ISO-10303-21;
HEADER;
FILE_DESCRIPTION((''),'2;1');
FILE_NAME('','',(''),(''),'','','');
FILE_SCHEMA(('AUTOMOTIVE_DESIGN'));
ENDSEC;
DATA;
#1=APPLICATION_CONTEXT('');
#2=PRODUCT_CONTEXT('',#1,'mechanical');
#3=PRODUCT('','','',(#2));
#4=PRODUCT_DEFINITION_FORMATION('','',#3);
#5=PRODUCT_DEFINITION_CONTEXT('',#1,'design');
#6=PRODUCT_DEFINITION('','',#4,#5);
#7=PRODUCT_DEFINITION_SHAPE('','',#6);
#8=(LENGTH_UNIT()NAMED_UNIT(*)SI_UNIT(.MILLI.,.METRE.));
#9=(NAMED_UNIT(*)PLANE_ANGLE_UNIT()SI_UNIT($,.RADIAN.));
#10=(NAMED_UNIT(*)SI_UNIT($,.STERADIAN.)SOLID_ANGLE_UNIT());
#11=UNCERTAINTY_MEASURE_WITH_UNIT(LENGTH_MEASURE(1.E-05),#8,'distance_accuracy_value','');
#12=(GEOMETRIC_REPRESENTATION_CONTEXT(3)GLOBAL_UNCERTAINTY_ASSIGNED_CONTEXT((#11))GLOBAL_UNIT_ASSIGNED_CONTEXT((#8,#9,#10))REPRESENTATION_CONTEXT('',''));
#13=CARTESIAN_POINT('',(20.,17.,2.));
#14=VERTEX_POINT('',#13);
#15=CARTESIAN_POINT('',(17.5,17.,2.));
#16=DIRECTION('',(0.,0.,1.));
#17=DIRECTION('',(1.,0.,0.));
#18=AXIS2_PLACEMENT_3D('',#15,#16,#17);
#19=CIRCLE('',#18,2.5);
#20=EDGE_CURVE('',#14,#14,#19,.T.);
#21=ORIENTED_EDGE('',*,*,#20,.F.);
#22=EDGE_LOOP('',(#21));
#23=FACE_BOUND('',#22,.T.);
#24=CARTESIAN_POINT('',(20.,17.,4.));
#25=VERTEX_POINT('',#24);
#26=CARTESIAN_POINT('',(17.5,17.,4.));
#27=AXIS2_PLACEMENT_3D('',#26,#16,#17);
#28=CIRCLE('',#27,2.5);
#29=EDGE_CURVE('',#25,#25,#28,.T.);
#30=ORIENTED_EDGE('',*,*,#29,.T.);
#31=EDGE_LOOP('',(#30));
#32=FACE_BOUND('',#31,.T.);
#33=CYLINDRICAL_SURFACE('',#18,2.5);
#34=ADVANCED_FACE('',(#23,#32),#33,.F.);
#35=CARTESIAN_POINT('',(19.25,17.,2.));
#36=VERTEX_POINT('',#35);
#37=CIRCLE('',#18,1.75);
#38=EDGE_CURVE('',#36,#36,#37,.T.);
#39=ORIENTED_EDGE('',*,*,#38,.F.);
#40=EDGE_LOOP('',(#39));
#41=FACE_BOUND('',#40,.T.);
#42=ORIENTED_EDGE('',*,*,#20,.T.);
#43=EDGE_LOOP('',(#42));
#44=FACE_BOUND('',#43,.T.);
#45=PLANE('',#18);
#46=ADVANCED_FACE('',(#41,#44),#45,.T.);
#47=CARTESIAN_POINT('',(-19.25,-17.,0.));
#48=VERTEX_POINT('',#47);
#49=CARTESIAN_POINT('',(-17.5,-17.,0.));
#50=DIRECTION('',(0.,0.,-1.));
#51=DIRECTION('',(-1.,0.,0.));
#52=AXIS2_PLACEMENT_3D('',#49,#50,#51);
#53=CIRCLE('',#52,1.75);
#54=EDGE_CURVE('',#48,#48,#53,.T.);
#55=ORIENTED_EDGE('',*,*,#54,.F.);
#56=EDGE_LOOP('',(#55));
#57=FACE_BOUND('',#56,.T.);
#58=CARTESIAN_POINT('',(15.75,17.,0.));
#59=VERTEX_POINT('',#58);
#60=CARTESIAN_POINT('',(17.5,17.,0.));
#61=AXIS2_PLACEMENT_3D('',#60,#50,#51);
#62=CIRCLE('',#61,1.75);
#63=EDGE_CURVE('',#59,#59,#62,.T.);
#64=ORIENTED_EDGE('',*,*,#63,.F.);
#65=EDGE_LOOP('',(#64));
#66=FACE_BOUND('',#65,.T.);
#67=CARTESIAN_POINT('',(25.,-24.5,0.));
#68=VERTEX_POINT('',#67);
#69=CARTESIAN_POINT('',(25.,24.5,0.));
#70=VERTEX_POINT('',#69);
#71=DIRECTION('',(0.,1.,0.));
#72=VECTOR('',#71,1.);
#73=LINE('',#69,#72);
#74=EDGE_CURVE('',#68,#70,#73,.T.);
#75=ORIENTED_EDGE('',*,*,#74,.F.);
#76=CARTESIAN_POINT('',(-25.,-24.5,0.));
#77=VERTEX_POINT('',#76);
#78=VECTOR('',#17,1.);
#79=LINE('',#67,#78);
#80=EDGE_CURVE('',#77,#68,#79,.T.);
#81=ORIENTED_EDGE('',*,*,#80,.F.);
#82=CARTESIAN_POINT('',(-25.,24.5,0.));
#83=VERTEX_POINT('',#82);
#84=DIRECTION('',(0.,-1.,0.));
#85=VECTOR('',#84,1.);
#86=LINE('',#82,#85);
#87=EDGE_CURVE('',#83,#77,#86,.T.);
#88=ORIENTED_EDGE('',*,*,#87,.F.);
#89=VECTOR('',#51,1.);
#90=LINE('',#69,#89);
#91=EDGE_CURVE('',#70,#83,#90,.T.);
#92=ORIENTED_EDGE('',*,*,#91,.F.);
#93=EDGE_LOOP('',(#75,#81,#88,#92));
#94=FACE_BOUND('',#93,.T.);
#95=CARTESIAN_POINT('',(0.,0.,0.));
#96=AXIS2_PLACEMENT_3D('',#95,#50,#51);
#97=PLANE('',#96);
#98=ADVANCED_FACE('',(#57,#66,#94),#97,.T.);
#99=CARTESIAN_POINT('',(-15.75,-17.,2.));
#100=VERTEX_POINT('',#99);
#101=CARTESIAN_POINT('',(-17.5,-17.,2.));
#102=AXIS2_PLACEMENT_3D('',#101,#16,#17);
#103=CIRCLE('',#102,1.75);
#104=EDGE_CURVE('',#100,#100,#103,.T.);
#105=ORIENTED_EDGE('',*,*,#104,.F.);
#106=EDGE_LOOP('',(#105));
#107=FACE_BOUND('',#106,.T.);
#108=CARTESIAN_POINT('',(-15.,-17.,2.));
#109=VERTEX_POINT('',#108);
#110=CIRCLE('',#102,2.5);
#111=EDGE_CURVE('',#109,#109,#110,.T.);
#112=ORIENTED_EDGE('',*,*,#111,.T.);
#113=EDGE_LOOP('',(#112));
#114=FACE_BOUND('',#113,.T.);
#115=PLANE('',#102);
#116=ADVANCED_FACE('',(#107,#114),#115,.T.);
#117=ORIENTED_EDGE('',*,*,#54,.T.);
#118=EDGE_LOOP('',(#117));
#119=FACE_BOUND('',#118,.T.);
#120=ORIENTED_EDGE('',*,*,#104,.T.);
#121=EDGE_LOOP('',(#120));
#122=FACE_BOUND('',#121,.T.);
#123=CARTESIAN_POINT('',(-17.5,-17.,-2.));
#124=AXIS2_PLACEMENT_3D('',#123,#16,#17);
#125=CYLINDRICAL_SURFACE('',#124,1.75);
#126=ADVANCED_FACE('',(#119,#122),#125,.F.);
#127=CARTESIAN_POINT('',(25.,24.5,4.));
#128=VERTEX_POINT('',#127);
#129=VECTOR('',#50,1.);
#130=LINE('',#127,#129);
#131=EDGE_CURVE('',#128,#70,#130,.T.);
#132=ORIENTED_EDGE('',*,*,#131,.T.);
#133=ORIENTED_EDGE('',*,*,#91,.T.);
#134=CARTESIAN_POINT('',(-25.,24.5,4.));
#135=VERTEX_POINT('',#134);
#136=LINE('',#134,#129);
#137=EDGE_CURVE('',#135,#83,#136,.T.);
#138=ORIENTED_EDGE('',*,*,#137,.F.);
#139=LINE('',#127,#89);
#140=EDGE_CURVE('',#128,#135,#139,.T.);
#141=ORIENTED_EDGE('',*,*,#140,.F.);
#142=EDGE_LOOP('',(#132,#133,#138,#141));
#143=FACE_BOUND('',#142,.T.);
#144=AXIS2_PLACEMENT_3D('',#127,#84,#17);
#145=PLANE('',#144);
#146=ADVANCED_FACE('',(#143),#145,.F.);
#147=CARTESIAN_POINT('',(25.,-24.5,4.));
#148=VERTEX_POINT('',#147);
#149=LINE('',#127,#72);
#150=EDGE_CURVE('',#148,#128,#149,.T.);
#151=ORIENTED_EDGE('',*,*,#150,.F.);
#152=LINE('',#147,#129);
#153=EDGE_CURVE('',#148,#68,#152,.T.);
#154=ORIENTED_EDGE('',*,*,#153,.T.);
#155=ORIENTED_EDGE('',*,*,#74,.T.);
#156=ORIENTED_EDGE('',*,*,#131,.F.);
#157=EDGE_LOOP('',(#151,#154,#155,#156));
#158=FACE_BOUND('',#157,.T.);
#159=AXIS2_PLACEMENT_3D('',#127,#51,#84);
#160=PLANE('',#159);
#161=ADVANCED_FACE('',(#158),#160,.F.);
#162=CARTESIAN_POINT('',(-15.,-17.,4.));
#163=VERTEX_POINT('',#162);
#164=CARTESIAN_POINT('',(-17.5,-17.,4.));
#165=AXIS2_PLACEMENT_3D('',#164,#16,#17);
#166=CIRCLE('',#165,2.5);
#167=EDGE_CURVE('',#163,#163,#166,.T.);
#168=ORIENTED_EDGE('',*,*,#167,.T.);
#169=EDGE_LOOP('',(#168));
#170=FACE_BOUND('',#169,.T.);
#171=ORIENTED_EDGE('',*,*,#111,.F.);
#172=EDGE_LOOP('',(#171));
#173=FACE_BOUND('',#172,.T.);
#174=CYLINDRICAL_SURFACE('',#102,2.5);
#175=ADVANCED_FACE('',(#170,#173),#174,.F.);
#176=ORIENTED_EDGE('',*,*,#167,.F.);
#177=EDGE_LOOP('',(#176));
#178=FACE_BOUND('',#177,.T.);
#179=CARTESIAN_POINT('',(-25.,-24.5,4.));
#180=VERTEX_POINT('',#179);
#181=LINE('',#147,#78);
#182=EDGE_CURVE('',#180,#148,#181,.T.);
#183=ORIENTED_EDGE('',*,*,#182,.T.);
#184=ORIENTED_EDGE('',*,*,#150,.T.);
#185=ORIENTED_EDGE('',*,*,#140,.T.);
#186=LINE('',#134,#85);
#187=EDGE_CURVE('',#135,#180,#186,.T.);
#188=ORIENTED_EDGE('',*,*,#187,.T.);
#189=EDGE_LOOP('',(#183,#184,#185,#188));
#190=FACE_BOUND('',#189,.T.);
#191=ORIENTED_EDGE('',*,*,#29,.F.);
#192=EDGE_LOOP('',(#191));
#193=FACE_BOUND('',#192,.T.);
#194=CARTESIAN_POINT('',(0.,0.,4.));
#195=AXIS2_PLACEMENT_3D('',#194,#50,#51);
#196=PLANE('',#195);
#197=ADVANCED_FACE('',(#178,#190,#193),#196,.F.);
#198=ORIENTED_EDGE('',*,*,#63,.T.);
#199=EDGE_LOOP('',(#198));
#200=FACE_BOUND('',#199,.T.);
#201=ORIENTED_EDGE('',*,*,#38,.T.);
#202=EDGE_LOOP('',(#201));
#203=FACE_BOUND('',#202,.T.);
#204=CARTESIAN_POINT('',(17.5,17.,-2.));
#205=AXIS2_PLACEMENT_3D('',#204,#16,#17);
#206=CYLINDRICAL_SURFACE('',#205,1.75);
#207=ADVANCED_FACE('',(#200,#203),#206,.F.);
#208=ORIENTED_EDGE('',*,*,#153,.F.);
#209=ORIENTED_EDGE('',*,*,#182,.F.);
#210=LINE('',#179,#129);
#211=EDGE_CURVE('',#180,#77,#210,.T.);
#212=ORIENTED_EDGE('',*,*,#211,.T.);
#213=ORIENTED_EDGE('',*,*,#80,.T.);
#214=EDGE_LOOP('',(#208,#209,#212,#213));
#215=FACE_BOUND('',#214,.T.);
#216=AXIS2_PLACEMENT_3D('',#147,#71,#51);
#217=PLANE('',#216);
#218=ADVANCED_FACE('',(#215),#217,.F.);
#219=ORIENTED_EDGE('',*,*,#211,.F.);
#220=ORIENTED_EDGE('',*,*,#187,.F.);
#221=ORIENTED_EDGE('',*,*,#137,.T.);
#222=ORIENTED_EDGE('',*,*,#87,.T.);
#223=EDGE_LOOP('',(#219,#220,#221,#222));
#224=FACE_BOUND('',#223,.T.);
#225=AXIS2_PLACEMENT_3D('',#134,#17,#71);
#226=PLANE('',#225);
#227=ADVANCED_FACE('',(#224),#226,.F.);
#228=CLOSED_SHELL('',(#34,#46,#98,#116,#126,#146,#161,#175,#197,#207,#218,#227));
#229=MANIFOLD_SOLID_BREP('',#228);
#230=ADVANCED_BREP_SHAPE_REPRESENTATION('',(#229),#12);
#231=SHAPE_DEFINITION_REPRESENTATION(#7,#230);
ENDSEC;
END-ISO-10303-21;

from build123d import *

# Parameters (mm, degrees)
SKETCH_1_W          = 50
SKETCH_1_H          = 49
EXTRUDE_1_DEPTH     = 4
SKETCH_2_R          = 2.5
CUT_EXTRUDE_1_DEPTH = 2
SKETCH_3_R          = 1.75
CUT_EXTRUDE_2_DEPTH = 4


with BuildPart() as part:
    # 草图1 → 凸台-拉伸1 (new body)
    with BuildSketch(Plane.XY):
        Rectangle(SKETCH_1_W, SKETCH_1_H)
    extrude(amount=EXTRUDE_1_DEPTH)

    # 草图2 → 切除-拉伸1 (cut)
    with BuildSketch(Plane.XY.offset(4)):
        with Locations((17.5, 17)):
            Circle(SKETCH_2_R)
        with Locations((-17.5, -17)):
            Circle(SKETCH_2_R)
    extrude(amount=-CUT_EXTRUDE_1_DEPTH, mode=Mode.SUBTRACT)

    # 草图3 → 切除-拉伸2 (cut)
    with BuildSketch(Plane.XY.offset(2)):
        with Locations((-17.5, -17)):
            Circle(SKETCH_3_R)
        with Locations((17.5, 17)):
            Circle(SKETCH_3_R)
    extrude(amount=-CUT_EXTRUDE_2_DEPTH, mode=Mode.SUBTRACT)


solid = part.part
